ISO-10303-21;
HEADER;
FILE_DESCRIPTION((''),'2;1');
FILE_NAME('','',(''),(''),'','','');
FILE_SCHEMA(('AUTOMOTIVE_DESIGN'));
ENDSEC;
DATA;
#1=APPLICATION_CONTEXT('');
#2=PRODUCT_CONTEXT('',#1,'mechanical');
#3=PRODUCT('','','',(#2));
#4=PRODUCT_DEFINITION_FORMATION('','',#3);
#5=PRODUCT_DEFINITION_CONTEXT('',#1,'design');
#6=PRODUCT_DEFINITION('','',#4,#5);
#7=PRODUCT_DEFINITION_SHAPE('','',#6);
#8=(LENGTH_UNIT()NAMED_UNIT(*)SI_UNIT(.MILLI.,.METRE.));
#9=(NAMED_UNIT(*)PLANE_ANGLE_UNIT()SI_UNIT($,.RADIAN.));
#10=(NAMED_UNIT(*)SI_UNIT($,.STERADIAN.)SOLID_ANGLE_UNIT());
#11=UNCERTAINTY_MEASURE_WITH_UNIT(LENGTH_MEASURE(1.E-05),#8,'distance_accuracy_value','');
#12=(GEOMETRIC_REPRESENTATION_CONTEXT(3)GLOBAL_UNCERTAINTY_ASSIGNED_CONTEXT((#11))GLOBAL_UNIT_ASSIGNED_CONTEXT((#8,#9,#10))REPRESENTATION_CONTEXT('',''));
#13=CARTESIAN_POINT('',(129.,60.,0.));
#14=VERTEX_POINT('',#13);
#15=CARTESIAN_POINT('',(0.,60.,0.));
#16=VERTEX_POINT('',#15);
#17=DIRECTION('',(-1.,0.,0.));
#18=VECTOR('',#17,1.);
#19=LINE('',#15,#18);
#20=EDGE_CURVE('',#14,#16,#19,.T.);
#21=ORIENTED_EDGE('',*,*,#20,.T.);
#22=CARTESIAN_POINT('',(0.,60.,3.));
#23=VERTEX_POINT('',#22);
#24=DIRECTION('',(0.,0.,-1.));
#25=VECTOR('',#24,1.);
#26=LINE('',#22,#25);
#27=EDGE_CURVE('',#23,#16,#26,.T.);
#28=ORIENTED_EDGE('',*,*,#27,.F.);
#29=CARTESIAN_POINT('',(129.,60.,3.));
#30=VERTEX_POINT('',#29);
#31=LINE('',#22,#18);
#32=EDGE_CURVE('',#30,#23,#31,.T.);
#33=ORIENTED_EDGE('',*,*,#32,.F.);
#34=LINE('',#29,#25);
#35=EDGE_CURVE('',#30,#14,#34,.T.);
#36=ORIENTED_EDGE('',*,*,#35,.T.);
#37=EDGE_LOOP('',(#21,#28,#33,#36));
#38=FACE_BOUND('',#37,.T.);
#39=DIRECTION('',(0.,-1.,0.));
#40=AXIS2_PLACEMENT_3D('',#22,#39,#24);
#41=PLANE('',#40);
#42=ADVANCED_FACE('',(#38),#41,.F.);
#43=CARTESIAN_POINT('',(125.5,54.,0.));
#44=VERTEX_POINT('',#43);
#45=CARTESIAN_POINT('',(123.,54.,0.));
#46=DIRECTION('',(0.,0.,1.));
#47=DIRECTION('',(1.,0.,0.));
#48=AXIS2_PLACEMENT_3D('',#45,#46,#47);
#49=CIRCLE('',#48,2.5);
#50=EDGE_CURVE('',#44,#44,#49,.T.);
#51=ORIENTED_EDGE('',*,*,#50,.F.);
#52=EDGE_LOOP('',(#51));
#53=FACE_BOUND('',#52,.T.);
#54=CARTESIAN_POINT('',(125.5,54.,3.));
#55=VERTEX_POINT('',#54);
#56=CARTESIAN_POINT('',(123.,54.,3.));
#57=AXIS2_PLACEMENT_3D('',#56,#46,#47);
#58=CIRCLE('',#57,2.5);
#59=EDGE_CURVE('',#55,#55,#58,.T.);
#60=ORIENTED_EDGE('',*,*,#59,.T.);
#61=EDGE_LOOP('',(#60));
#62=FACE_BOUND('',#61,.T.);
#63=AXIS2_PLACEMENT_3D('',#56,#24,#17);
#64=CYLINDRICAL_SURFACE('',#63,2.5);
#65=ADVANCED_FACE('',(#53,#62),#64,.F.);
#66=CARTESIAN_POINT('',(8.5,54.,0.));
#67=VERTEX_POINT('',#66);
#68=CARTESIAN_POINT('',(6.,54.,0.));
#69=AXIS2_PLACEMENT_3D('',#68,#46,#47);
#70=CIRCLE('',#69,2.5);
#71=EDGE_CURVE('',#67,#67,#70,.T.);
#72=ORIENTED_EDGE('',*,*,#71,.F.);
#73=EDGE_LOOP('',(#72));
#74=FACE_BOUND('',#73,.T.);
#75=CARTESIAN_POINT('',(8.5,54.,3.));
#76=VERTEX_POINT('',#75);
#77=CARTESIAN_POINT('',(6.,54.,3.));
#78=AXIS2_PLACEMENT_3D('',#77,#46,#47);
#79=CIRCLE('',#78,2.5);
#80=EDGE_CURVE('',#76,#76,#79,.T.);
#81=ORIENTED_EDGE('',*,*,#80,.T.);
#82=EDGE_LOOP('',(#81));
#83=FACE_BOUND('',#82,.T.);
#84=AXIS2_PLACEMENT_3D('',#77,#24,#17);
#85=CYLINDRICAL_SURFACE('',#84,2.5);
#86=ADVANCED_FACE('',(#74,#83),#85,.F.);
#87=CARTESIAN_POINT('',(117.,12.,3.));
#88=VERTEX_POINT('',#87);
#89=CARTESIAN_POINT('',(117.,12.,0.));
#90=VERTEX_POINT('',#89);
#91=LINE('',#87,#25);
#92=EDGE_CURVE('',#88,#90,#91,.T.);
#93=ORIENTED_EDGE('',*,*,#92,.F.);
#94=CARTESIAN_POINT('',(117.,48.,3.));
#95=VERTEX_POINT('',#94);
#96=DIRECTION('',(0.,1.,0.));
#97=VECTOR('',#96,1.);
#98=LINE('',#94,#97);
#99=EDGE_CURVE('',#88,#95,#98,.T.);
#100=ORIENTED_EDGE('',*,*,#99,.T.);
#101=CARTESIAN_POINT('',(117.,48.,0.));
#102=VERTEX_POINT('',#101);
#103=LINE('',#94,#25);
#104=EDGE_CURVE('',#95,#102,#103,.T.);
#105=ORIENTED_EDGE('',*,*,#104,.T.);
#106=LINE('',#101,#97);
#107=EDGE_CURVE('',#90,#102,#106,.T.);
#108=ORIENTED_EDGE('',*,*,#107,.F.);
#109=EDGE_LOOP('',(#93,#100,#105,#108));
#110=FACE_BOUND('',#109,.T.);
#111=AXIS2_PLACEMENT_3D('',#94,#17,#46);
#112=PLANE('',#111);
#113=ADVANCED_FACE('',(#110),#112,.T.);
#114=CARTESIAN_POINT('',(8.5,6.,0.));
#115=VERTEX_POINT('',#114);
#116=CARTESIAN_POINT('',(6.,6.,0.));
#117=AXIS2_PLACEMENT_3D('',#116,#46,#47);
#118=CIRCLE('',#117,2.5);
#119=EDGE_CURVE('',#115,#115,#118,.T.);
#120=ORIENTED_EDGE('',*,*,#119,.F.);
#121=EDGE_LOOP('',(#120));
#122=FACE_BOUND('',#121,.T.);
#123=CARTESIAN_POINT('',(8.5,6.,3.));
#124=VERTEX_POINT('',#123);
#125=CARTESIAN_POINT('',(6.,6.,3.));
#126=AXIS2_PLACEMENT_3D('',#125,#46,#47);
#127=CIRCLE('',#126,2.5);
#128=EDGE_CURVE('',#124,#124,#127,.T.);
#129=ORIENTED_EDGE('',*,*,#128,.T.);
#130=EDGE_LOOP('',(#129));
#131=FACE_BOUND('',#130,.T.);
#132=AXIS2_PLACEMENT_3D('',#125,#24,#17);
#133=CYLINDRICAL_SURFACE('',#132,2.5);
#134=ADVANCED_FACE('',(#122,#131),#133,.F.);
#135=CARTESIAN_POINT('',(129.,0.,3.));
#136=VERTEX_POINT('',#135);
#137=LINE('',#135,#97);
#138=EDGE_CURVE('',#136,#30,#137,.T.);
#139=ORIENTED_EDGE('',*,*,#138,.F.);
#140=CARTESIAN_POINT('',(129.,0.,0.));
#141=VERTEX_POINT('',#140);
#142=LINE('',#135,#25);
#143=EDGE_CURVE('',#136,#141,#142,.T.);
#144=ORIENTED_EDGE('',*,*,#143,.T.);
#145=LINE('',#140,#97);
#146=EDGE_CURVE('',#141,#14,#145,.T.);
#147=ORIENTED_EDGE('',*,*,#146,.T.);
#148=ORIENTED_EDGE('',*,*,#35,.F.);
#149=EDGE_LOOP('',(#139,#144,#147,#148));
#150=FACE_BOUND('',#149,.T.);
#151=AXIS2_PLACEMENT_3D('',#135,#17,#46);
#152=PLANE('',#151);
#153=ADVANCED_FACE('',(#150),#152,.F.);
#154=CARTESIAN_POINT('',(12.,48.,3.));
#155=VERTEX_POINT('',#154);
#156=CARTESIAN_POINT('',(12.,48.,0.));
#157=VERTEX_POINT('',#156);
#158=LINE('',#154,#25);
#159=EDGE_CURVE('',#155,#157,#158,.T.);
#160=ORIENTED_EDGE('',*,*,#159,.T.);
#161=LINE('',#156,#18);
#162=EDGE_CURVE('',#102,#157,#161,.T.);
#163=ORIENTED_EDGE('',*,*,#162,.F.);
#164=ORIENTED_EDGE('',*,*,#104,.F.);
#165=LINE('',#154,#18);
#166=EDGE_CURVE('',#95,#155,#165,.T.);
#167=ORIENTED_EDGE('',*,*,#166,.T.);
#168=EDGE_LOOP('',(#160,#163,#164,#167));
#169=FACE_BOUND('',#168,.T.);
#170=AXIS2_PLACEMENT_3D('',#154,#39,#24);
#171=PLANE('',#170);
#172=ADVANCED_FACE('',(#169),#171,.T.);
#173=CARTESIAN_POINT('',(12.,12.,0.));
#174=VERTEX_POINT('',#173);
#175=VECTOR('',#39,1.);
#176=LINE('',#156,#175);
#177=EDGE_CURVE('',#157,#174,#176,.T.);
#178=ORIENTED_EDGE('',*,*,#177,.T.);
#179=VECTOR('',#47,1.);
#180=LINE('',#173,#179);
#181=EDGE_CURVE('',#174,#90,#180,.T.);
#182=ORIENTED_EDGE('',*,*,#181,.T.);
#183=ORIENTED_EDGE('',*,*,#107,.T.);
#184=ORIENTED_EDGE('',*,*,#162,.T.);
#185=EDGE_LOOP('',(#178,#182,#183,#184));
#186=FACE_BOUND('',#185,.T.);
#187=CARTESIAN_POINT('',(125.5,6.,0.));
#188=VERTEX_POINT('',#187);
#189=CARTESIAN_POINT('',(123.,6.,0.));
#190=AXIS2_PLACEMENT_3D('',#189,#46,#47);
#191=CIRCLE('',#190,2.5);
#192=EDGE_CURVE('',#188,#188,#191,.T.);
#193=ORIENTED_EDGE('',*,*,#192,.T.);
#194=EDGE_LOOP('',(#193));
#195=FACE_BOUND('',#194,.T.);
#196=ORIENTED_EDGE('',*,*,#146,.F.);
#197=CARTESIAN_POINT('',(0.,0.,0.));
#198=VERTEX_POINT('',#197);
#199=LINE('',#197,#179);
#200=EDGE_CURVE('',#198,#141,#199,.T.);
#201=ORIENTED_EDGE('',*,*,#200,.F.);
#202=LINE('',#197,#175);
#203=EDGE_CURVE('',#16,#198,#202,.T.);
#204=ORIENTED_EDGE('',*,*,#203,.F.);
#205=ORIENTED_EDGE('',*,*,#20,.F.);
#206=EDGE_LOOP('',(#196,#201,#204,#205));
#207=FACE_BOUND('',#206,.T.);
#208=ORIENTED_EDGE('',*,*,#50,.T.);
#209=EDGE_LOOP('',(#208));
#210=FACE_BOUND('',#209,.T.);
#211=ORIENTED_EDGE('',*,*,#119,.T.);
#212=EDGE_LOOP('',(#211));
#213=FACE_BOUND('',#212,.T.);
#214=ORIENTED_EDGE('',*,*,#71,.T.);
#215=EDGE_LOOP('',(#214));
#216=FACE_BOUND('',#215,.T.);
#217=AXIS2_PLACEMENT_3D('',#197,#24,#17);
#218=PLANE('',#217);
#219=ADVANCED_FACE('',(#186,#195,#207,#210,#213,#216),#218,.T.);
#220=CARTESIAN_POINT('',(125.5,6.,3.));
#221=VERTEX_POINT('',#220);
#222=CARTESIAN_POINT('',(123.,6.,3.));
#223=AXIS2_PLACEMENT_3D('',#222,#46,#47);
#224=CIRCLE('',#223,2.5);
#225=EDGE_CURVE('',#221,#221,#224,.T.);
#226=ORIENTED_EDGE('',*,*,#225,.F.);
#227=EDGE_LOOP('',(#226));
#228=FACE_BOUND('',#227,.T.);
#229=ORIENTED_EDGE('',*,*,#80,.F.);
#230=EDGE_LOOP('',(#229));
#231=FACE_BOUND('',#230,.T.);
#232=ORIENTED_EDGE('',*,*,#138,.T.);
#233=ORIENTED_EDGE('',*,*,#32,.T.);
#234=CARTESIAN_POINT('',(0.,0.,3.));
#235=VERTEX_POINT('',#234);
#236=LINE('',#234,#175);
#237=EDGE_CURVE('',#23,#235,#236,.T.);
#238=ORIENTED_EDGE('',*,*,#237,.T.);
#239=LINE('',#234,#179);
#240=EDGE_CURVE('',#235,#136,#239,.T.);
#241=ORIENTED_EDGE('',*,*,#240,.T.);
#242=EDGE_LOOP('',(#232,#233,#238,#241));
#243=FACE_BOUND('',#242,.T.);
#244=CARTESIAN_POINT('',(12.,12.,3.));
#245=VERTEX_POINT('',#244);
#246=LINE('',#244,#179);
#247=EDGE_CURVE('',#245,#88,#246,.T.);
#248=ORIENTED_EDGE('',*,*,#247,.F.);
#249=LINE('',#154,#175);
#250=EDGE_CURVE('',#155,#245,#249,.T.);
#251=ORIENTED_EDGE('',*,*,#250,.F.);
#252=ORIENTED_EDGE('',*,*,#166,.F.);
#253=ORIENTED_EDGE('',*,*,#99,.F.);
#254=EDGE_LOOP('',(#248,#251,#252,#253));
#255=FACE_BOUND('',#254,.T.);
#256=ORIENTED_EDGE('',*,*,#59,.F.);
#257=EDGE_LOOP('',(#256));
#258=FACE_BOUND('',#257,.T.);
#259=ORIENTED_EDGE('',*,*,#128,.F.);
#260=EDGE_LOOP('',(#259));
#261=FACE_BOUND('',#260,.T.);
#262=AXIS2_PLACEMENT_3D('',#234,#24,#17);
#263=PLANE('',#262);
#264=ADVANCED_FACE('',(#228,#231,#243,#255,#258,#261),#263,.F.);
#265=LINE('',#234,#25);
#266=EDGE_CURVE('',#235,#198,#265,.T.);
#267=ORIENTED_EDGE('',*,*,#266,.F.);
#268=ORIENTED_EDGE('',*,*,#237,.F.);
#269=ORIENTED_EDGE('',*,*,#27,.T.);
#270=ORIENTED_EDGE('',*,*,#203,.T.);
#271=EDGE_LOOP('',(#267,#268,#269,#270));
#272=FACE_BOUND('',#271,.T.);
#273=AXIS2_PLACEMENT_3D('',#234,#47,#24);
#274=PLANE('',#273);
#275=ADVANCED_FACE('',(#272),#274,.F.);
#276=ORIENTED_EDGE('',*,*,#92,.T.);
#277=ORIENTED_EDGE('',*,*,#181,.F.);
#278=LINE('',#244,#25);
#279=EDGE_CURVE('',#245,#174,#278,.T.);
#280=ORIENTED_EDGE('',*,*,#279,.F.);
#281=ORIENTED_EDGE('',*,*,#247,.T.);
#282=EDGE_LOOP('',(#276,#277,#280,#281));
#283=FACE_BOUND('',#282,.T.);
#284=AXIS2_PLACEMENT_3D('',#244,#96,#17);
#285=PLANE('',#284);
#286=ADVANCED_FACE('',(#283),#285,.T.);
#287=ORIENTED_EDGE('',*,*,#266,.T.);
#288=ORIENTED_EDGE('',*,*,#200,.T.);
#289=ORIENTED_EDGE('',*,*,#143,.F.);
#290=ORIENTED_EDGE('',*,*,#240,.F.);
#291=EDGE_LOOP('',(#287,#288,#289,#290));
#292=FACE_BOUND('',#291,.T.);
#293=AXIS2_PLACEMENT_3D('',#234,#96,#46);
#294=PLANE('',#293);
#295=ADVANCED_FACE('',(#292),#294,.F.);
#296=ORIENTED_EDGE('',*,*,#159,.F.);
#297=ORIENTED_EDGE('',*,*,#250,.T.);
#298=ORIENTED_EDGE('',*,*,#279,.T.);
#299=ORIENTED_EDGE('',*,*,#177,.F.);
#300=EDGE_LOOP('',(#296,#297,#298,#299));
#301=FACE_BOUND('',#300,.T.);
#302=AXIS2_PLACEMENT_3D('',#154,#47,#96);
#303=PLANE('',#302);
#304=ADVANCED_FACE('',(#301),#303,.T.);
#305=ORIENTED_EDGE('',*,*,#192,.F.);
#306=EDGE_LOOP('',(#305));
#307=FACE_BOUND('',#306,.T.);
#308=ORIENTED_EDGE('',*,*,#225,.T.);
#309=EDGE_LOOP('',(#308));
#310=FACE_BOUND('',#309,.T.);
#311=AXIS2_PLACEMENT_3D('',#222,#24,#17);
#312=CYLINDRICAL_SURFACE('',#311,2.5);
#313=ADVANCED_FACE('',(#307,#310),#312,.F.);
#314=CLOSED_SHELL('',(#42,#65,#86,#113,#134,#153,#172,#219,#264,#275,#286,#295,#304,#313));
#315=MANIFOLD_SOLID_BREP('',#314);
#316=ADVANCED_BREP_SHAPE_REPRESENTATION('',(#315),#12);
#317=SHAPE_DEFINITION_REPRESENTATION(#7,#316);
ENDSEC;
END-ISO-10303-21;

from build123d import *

# Parameters (mm, degrees)
SKETCH1_W           = 129
SKETCH1_H           = 60
SKETCH1_R           = 2.5
SKETCH1_W_2         = 105
SKETCH1_H_2         = 36
BOSS_EXTRUDE1_DEPTH = 3


with BuildPart() as part:
    # Sketch1 → Boss-Extrude1 (new body)
    with BuildSketch(Plane.XY):
        with Locations((64.5, 30)):
            Rectangle(SKETCH1_W, SKETCH1_H)
        with Locations((6, 6)):
            Circle(SKETCH1_R, mode=Mode.SUBTRACT)
        with Locations((6, 54)):
            Circle(SKETCH1_R, mode=Mode.SUBTRACT)
        with Locations((123, 54)):
            Circle(SKETCH1_R, mode=Mode.SUBTRACT)
        with Locations((123, 6)):
            Circle(SKETCH1_R, mode=Mode.SUBTRACT)
        with Locations((64.5, 30)):
            Rectangle(SKETCH1_W_2, SKETCH1_H_2, mode=Mode.SUBTRACT)
    extrude(amount=BOSS_EXTRUDE1_DEPTH)


solid = part.part
